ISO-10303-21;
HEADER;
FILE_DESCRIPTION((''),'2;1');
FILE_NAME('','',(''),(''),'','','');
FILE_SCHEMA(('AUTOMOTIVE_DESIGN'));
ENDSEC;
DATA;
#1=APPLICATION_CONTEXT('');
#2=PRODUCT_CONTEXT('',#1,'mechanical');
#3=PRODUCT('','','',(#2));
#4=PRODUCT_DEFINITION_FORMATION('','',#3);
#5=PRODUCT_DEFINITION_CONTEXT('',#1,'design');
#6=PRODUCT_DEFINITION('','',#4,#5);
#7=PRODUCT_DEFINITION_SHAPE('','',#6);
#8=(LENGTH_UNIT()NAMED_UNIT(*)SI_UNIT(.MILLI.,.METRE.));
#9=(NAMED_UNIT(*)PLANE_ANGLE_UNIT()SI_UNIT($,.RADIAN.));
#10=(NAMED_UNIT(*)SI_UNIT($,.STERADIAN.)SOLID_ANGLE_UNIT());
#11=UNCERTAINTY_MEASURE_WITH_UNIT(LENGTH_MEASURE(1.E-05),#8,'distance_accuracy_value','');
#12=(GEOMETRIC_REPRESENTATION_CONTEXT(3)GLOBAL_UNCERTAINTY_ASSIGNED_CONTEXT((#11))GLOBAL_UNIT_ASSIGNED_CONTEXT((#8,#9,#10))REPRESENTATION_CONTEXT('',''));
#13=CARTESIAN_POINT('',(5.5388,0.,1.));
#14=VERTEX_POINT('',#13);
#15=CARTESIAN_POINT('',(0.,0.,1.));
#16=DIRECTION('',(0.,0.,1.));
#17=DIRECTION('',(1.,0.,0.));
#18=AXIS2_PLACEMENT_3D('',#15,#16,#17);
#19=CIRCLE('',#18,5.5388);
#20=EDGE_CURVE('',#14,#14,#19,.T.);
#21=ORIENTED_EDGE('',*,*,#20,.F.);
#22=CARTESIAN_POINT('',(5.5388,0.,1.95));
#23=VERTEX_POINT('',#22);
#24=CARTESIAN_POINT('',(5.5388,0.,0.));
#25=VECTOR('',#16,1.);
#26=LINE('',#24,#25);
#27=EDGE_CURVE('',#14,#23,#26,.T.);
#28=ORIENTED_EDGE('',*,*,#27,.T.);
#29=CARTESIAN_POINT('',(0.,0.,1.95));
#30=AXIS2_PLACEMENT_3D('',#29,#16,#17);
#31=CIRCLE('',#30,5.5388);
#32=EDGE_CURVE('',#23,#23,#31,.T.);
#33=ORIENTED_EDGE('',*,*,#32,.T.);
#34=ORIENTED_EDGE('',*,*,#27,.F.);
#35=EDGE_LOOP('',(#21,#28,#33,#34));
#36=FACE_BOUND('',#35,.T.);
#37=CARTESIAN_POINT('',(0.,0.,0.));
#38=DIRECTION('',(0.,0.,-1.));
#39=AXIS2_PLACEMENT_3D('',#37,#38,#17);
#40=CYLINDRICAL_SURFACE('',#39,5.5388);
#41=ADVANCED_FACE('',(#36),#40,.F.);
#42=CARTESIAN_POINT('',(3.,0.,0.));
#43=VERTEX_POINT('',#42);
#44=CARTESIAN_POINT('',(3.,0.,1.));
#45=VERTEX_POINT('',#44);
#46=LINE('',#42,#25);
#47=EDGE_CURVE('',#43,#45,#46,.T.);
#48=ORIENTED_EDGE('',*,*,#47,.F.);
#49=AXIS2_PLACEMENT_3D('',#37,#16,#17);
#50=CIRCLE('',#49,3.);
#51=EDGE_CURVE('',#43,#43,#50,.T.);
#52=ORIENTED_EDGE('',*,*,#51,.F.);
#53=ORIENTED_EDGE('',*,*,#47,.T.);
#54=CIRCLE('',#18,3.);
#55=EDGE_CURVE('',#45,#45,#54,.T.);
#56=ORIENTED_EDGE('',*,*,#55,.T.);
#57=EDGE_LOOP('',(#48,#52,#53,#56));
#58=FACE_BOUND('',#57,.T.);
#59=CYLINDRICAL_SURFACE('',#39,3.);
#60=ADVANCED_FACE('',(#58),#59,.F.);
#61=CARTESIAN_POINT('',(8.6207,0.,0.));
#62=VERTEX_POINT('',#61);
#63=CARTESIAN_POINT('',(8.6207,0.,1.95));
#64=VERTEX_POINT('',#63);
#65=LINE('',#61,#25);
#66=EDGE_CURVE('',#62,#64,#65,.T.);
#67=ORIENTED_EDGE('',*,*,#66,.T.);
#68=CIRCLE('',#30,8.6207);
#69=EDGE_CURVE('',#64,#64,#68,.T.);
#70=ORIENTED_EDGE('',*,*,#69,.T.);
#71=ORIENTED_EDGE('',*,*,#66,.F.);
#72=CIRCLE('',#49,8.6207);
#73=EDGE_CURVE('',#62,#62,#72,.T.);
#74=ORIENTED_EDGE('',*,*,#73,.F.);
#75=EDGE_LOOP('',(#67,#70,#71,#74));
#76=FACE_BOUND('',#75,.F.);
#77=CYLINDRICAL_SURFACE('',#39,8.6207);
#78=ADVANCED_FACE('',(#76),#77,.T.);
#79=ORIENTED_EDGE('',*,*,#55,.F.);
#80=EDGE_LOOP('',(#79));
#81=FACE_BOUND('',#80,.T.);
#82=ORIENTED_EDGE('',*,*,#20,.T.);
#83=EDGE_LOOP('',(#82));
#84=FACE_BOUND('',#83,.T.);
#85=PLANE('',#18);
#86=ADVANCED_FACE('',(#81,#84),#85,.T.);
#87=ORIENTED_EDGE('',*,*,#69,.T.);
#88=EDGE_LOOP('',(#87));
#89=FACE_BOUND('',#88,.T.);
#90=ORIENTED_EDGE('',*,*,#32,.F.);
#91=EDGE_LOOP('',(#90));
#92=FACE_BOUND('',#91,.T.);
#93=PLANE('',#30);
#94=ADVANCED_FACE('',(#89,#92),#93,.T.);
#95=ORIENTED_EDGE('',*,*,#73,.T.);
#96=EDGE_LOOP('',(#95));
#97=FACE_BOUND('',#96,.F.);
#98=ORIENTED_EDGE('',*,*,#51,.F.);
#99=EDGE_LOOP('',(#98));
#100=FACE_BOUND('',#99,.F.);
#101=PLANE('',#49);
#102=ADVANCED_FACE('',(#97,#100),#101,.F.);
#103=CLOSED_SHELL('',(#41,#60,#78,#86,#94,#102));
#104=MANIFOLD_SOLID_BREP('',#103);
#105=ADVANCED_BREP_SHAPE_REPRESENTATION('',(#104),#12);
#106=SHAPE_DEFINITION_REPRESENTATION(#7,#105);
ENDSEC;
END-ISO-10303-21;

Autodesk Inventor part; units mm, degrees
ref_plane "YZ Plane" through (0, 0, 0) normal (1, 0, 0) x (0, 1, 0)
ref_plane "XZ Plane" through (0, 0, 0) normal (0, 1, 0) x (-1, 0, 0)
ref_plane "XY Plane" through (0, 0, 0) normal (0, 0, 1) x (1, 0, 0)
sketch "スケッチ1" plane through (0, 0, 0) normal (0, 0, 1) x (1, 0, 0)
  circle A0 centre (0, 0) radius 5.5388
  circle A1 centre (0, 0) radius 8.6207
  circle A2 centre (0, 0) radius 3
  dimension "d0" = 11.0776
  dimension "d1" = 17.2414
  dimension "d6" = 6
extrude "押し出し1" add sketch "スケッチ1" along normal blind 1 contours A0
extrude "押し出し2" add sketch "スケッチ1" along normal blind 1.95 contours A1
properties part number "前足中間接続スペーサ"
